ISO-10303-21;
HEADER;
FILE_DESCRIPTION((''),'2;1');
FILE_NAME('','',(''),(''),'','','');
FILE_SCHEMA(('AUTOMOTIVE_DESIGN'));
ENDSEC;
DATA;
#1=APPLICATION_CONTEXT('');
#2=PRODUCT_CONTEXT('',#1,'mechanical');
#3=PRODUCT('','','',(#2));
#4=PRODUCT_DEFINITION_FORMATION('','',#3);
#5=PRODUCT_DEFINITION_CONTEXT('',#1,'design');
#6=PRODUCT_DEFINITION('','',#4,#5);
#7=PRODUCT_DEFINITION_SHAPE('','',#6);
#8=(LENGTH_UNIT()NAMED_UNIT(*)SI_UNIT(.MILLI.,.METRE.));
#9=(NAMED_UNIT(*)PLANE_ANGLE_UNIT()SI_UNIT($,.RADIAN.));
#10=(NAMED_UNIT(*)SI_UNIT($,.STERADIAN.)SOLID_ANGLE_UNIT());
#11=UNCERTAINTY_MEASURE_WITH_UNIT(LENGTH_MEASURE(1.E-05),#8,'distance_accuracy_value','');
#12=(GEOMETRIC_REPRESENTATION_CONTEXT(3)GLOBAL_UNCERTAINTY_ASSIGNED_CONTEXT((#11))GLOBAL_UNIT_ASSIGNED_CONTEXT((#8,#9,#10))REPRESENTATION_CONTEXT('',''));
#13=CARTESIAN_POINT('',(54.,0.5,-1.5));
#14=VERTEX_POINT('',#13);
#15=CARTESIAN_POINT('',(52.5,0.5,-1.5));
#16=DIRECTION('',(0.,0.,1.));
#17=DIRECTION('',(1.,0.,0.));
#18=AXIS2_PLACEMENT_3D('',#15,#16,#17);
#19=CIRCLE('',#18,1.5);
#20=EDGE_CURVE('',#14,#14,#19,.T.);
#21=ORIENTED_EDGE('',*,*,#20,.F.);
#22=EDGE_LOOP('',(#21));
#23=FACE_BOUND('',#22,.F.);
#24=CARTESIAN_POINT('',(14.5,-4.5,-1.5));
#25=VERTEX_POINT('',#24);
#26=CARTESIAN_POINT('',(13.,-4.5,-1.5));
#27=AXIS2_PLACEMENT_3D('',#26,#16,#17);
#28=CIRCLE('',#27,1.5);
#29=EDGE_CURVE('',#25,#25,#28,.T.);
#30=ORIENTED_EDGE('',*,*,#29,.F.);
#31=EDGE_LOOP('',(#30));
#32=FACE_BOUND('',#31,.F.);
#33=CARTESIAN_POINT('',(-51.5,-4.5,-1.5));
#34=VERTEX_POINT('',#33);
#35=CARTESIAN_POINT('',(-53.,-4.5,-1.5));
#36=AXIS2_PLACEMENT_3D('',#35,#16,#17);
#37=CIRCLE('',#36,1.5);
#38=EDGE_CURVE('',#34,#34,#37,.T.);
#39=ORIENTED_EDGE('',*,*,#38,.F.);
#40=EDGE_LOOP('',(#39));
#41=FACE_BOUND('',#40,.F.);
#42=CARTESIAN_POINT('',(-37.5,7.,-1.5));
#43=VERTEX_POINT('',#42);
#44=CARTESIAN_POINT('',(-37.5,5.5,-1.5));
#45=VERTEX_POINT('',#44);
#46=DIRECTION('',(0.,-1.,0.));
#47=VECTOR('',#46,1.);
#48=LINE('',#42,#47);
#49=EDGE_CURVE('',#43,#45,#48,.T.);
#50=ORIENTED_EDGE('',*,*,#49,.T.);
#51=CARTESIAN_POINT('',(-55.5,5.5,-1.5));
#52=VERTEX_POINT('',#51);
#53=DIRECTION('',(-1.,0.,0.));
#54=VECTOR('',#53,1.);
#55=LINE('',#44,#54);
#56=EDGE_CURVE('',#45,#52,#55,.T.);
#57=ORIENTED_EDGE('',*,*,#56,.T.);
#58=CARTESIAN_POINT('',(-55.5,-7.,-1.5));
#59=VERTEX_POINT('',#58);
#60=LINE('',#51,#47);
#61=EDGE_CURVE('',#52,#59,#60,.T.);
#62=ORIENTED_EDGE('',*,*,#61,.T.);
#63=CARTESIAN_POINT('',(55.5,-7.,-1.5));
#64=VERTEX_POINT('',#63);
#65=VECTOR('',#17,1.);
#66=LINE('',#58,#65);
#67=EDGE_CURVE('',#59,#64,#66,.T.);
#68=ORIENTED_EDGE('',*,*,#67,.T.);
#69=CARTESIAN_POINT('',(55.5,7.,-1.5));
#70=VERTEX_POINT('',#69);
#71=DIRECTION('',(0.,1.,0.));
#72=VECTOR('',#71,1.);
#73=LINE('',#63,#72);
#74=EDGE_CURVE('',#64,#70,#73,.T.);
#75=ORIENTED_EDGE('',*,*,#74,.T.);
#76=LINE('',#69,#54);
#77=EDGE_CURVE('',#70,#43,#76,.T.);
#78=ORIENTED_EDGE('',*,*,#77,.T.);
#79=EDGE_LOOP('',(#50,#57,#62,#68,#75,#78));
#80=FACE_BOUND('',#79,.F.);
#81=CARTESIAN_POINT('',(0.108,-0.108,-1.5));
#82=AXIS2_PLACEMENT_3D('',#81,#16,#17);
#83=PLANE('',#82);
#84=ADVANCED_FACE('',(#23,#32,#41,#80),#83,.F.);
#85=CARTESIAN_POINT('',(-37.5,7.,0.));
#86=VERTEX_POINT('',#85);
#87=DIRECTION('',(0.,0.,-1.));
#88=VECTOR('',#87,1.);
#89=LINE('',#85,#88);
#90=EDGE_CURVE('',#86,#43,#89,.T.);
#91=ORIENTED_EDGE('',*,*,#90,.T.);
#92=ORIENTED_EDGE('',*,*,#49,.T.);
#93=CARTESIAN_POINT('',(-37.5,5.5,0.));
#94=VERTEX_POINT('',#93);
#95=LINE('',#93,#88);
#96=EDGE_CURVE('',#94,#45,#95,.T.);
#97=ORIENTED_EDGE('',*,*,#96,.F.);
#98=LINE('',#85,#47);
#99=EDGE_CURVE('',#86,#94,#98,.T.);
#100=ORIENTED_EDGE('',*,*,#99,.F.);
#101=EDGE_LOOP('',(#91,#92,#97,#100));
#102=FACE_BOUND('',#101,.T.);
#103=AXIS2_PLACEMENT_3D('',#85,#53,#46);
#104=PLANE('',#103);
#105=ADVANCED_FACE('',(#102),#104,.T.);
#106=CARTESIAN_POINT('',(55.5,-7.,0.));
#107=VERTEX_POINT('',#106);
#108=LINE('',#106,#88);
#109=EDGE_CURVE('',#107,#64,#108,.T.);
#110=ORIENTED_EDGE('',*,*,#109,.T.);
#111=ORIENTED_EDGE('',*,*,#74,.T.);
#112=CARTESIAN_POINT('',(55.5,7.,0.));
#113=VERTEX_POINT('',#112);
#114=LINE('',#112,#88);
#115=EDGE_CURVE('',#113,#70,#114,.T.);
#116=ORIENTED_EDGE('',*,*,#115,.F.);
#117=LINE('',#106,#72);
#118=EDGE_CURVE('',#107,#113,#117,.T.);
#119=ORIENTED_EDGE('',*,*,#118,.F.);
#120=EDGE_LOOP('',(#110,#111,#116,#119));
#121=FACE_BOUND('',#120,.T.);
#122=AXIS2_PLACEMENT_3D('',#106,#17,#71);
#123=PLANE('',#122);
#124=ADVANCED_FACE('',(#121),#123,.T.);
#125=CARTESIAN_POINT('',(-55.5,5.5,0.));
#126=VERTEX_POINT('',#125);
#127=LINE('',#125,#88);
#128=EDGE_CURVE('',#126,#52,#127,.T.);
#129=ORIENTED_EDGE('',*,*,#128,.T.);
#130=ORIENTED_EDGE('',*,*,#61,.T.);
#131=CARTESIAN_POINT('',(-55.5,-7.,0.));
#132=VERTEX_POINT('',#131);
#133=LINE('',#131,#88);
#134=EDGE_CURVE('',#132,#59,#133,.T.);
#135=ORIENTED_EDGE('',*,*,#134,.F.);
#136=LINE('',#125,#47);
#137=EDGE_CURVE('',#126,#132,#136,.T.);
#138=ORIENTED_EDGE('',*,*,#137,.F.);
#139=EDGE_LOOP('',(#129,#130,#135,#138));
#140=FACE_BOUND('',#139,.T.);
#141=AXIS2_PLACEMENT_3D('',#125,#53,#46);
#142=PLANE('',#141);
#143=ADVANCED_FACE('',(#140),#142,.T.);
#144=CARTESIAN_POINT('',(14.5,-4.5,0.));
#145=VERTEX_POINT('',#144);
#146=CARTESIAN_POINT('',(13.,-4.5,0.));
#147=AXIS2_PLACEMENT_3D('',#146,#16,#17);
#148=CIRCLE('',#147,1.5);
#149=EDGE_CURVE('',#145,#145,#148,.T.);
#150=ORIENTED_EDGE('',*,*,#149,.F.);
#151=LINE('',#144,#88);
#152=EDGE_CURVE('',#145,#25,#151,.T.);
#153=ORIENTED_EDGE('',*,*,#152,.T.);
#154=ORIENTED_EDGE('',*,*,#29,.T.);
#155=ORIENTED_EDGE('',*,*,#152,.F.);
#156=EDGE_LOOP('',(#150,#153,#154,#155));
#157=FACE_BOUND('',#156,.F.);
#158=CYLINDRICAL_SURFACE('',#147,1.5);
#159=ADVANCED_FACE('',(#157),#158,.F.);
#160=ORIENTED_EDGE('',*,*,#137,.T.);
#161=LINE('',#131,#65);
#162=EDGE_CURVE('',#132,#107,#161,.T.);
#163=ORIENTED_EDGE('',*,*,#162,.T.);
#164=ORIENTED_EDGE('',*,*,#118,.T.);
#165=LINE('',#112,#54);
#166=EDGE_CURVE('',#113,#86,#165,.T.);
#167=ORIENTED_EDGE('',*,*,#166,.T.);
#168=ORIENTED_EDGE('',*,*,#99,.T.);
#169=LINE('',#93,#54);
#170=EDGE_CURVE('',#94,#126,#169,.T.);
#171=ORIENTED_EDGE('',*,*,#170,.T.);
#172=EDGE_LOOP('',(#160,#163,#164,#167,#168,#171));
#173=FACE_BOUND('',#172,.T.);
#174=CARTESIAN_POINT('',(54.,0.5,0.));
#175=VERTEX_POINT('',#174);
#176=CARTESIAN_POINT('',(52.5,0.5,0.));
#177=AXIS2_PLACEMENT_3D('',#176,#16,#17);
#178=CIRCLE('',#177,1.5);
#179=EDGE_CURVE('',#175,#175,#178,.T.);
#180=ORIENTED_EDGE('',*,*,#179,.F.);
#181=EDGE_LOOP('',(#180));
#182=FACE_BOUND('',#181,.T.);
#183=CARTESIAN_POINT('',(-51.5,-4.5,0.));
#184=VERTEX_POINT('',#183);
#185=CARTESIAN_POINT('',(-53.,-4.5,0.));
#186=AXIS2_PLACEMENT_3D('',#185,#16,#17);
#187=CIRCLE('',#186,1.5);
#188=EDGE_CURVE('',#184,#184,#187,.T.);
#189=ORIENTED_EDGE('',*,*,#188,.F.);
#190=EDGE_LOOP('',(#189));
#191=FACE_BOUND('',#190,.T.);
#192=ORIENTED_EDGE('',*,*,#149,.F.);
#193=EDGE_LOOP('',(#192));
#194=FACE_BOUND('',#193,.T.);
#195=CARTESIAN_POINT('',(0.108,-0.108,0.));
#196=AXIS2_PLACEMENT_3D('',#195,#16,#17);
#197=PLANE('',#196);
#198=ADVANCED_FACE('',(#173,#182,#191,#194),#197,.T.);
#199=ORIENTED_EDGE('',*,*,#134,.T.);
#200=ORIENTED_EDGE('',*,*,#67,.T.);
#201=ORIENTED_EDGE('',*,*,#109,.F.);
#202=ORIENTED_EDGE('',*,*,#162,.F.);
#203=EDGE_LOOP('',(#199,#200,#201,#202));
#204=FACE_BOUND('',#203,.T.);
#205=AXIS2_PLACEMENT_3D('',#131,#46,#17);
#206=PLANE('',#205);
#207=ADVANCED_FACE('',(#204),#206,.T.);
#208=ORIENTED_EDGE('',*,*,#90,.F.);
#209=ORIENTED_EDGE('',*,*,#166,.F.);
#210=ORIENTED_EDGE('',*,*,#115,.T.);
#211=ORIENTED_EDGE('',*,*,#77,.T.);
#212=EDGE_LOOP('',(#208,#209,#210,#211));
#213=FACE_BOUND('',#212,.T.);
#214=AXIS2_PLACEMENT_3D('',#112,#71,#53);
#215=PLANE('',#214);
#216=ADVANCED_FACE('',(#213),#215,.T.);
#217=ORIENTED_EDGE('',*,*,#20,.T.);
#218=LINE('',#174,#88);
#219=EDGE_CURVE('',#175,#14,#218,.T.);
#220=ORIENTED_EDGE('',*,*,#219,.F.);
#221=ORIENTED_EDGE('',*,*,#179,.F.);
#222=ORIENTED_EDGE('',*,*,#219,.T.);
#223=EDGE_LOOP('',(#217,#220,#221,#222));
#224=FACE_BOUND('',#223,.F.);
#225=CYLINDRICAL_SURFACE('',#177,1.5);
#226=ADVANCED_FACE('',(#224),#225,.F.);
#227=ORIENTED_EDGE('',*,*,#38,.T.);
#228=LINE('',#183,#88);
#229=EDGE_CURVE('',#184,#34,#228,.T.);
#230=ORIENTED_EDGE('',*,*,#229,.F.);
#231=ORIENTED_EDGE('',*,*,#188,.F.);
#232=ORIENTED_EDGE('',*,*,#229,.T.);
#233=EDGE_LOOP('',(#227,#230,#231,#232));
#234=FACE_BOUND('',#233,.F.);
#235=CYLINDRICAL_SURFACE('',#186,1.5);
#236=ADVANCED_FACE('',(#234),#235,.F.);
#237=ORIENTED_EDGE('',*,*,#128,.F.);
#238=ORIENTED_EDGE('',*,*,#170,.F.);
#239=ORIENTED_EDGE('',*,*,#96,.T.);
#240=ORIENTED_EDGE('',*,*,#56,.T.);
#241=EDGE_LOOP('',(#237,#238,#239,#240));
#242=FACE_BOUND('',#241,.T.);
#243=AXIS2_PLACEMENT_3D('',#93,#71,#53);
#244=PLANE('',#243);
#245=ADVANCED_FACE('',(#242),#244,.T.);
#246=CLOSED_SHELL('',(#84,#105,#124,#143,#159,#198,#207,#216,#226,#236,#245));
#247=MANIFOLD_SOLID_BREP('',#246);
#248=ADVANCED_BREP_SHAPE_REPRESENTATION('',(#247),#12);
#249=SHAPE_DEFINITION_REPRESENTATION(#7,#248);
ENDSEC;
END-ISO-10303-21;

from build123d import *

# Parameters (mm, degrees)
F0_R     = 1.5
F1_DEPTH = 1.5


with BuildPart() as f1:
    # F0 (on Top) → F1 (new body)
    with BuildSketch(Plane.XY):
        Polygon((-55.5, 5.5), (-55.5, -7), (55.5, -7), (55.5, 7), (-37.5, 7), (-37.5, 5.5), align=None)
        with Locations((-53, -4.5)):
            Circle(F0_R, mode=Mode.SUBTRACT)
        with Locations((13, -4.5)):
            Circle(F0_R, mode=Mode.SUBTRACT)
        with Locations((52.5, 0.5)):
            Circle(F0_R, mode=Mode.SUBTRACT)
    extrude(amount=-F1_DEPTH)


solid = f1.part
